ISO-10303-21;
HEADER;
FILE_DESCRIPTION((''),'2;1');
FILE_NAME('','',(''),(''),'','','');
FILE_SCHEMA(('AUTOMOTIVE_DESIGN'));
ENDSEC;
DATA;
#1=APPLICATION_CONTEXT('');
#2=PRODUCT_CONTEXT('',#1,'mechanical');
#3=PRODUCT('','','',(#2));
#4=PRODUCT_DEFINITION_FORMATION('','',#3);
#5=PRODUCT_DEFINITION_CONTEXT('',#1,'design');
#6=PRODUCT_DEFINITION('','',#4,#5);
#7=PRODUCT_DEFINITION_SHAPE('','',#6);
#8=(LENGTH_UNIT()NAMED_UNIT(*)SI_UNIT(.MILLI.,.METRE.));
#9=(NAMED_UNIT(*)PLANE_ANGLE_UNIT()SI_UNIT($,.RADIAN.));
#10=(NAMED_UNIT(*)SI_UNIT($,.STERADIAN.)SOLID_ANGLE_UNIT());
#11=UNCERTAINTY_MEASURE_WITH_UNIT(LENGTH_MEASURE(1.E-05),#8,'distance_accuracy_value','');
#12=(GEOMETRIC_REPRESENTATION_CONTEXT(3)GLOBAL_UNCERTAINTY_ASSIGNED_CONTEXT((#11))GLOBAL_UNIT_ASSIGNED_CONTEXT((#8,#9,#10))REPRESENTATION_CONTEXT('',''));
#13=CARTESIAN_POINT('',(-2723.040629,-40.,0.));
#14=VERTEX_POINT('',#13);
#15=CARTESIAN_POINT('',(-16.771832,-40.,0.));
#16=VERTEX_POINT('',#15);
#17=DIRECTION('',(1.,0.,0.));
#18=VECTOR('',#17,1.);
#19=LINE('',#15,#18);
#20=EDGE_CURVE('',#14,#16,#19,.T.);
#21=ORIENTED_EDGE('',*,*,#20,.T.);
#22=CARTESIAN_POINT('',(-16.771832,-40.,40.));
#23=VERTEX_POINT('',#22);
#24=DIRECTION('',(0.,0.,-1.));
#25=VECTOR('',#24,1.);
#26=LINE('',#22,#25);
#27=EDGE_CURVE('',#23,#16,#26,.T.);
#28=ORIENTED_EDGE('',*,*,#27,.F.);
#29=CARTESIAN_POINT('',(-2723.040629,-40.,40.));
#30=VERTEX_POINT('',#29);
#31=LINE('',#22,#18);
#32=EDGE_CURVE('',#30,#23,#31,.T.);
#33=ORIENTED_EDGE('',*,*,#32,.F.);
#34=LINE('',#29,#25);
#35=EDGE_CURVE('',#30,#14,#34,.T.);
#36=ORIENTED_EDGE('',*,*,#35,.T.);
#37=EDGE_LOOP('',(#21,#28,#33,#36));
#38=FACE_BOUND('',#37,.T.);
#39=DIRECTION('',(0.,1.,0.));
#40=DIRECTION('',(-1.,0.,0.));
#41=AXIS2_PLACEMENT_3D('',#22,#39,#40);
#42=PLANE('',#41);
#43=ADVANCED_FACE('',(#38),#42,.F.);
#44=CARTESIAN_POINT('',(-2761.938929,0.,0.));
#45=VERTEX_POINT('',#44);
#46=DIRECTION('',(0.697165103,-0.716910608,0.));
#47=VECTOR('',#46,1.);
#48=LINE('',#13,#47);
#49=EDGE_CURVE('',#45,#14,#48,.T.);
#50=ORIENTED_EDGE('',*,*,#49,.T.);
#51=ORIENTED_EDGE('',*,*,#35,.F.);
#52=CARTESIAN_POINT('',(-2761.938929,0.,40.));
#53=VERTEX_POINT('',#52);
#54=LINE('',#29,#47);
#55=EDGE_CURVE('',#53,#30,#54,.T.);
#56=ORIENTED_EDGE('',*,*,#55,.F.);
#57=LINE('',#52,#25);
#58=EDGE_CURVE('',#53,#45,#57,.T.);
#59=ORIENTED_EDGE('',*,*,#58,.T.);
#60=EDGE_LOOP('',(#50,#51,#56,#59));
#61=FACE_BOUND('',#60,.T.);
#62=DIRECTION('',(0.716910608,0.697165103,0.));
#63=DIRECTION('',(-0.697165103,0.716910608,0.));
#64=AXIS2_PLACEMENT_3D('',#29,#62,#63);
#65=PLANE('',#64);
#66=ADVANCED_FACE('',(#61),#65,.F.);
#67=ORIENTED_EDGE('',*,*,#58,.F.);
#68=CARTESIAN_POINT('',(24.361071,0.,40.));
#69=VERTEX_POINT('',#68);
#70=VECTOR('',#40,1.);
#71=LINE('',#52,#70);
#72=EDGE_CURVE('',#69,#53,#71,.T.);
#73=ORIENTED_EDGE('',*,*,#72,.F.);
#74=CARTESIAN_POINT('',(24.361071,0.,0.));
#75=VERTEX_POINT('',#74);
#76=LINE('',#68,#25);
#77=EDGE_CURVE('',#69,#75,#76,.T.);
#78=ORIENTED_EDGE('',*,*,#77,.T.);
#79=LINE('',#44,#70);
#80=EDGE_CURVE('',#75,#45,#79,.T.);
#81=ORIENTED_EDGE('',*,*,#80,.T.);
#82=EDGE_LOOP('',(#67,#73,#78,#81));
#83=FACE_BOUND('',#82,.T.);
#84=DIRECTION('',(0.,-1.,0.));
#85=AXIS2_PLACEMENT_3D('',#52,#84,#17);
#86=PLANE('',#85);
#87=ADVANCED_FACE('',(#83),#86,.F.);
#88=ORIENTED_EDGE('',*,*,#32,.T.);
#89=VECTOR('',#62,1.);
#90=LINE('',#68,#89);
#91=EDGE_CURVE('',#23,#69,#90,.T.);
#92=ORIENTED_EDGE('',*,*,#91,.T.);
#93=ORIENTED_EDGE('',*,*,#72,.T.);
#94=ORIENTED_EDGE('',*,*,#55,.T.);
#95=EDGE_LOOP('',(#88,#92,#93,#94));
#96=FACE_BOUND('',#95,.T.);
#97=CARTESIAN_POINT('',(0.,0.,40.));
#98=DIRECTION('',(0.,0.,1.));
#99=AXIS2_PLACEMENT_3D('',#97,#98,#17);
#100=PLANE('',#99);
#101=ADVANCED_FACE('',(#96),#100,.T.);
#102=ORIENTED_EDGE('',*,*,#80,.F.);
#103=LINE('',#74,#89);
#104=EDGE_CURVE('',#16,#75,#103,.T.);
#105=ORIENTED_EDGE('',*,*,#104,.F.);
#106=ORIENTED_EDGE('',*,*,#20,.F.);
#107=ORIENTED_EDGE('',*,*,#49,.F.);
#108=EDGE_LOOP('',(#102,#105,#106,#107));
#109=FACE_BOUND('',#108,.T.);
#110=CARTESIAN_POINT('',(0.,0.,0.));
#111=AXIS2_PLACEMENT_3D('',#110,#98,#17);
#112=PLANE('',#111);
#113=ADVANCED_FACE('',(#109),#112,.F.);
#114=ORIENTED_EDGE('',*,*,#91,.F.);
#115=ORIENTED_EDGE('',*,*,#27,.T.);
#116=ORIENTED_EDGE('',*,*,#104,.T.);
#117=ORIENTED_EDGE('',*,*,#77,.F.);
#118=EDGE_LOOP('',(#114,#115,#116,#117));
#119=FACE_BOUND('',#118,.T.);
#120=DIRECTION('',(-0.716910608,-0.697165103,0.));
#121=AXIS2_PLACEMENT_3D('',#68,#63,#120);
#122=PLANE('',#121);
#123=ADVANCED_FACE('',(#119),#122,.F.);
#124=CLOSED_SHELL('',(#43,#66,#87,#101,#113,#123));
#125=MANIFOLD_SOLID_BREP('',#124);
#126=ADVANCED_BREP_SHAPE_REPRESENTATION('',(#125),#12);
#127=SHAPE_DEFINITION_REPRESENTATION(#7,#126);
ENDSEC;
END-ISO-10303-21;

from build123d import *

# Parameters (mm, degrees)
BOSS_EXTRUDE1_DEPTH = 40


with BuildPart() as part:
    # Sketch2 → Boss-Extrude1 (new body)
    with BuildSketch(Plane.XY):
        Polygon((-2761.938929009, 0), (24.361070991, 0), (-16.771831658, -40), (-2723.040628696, -40), align=None)
    extrude(amount=BOSS_EXTRUDE1_DEPTH)


solid = part.part
